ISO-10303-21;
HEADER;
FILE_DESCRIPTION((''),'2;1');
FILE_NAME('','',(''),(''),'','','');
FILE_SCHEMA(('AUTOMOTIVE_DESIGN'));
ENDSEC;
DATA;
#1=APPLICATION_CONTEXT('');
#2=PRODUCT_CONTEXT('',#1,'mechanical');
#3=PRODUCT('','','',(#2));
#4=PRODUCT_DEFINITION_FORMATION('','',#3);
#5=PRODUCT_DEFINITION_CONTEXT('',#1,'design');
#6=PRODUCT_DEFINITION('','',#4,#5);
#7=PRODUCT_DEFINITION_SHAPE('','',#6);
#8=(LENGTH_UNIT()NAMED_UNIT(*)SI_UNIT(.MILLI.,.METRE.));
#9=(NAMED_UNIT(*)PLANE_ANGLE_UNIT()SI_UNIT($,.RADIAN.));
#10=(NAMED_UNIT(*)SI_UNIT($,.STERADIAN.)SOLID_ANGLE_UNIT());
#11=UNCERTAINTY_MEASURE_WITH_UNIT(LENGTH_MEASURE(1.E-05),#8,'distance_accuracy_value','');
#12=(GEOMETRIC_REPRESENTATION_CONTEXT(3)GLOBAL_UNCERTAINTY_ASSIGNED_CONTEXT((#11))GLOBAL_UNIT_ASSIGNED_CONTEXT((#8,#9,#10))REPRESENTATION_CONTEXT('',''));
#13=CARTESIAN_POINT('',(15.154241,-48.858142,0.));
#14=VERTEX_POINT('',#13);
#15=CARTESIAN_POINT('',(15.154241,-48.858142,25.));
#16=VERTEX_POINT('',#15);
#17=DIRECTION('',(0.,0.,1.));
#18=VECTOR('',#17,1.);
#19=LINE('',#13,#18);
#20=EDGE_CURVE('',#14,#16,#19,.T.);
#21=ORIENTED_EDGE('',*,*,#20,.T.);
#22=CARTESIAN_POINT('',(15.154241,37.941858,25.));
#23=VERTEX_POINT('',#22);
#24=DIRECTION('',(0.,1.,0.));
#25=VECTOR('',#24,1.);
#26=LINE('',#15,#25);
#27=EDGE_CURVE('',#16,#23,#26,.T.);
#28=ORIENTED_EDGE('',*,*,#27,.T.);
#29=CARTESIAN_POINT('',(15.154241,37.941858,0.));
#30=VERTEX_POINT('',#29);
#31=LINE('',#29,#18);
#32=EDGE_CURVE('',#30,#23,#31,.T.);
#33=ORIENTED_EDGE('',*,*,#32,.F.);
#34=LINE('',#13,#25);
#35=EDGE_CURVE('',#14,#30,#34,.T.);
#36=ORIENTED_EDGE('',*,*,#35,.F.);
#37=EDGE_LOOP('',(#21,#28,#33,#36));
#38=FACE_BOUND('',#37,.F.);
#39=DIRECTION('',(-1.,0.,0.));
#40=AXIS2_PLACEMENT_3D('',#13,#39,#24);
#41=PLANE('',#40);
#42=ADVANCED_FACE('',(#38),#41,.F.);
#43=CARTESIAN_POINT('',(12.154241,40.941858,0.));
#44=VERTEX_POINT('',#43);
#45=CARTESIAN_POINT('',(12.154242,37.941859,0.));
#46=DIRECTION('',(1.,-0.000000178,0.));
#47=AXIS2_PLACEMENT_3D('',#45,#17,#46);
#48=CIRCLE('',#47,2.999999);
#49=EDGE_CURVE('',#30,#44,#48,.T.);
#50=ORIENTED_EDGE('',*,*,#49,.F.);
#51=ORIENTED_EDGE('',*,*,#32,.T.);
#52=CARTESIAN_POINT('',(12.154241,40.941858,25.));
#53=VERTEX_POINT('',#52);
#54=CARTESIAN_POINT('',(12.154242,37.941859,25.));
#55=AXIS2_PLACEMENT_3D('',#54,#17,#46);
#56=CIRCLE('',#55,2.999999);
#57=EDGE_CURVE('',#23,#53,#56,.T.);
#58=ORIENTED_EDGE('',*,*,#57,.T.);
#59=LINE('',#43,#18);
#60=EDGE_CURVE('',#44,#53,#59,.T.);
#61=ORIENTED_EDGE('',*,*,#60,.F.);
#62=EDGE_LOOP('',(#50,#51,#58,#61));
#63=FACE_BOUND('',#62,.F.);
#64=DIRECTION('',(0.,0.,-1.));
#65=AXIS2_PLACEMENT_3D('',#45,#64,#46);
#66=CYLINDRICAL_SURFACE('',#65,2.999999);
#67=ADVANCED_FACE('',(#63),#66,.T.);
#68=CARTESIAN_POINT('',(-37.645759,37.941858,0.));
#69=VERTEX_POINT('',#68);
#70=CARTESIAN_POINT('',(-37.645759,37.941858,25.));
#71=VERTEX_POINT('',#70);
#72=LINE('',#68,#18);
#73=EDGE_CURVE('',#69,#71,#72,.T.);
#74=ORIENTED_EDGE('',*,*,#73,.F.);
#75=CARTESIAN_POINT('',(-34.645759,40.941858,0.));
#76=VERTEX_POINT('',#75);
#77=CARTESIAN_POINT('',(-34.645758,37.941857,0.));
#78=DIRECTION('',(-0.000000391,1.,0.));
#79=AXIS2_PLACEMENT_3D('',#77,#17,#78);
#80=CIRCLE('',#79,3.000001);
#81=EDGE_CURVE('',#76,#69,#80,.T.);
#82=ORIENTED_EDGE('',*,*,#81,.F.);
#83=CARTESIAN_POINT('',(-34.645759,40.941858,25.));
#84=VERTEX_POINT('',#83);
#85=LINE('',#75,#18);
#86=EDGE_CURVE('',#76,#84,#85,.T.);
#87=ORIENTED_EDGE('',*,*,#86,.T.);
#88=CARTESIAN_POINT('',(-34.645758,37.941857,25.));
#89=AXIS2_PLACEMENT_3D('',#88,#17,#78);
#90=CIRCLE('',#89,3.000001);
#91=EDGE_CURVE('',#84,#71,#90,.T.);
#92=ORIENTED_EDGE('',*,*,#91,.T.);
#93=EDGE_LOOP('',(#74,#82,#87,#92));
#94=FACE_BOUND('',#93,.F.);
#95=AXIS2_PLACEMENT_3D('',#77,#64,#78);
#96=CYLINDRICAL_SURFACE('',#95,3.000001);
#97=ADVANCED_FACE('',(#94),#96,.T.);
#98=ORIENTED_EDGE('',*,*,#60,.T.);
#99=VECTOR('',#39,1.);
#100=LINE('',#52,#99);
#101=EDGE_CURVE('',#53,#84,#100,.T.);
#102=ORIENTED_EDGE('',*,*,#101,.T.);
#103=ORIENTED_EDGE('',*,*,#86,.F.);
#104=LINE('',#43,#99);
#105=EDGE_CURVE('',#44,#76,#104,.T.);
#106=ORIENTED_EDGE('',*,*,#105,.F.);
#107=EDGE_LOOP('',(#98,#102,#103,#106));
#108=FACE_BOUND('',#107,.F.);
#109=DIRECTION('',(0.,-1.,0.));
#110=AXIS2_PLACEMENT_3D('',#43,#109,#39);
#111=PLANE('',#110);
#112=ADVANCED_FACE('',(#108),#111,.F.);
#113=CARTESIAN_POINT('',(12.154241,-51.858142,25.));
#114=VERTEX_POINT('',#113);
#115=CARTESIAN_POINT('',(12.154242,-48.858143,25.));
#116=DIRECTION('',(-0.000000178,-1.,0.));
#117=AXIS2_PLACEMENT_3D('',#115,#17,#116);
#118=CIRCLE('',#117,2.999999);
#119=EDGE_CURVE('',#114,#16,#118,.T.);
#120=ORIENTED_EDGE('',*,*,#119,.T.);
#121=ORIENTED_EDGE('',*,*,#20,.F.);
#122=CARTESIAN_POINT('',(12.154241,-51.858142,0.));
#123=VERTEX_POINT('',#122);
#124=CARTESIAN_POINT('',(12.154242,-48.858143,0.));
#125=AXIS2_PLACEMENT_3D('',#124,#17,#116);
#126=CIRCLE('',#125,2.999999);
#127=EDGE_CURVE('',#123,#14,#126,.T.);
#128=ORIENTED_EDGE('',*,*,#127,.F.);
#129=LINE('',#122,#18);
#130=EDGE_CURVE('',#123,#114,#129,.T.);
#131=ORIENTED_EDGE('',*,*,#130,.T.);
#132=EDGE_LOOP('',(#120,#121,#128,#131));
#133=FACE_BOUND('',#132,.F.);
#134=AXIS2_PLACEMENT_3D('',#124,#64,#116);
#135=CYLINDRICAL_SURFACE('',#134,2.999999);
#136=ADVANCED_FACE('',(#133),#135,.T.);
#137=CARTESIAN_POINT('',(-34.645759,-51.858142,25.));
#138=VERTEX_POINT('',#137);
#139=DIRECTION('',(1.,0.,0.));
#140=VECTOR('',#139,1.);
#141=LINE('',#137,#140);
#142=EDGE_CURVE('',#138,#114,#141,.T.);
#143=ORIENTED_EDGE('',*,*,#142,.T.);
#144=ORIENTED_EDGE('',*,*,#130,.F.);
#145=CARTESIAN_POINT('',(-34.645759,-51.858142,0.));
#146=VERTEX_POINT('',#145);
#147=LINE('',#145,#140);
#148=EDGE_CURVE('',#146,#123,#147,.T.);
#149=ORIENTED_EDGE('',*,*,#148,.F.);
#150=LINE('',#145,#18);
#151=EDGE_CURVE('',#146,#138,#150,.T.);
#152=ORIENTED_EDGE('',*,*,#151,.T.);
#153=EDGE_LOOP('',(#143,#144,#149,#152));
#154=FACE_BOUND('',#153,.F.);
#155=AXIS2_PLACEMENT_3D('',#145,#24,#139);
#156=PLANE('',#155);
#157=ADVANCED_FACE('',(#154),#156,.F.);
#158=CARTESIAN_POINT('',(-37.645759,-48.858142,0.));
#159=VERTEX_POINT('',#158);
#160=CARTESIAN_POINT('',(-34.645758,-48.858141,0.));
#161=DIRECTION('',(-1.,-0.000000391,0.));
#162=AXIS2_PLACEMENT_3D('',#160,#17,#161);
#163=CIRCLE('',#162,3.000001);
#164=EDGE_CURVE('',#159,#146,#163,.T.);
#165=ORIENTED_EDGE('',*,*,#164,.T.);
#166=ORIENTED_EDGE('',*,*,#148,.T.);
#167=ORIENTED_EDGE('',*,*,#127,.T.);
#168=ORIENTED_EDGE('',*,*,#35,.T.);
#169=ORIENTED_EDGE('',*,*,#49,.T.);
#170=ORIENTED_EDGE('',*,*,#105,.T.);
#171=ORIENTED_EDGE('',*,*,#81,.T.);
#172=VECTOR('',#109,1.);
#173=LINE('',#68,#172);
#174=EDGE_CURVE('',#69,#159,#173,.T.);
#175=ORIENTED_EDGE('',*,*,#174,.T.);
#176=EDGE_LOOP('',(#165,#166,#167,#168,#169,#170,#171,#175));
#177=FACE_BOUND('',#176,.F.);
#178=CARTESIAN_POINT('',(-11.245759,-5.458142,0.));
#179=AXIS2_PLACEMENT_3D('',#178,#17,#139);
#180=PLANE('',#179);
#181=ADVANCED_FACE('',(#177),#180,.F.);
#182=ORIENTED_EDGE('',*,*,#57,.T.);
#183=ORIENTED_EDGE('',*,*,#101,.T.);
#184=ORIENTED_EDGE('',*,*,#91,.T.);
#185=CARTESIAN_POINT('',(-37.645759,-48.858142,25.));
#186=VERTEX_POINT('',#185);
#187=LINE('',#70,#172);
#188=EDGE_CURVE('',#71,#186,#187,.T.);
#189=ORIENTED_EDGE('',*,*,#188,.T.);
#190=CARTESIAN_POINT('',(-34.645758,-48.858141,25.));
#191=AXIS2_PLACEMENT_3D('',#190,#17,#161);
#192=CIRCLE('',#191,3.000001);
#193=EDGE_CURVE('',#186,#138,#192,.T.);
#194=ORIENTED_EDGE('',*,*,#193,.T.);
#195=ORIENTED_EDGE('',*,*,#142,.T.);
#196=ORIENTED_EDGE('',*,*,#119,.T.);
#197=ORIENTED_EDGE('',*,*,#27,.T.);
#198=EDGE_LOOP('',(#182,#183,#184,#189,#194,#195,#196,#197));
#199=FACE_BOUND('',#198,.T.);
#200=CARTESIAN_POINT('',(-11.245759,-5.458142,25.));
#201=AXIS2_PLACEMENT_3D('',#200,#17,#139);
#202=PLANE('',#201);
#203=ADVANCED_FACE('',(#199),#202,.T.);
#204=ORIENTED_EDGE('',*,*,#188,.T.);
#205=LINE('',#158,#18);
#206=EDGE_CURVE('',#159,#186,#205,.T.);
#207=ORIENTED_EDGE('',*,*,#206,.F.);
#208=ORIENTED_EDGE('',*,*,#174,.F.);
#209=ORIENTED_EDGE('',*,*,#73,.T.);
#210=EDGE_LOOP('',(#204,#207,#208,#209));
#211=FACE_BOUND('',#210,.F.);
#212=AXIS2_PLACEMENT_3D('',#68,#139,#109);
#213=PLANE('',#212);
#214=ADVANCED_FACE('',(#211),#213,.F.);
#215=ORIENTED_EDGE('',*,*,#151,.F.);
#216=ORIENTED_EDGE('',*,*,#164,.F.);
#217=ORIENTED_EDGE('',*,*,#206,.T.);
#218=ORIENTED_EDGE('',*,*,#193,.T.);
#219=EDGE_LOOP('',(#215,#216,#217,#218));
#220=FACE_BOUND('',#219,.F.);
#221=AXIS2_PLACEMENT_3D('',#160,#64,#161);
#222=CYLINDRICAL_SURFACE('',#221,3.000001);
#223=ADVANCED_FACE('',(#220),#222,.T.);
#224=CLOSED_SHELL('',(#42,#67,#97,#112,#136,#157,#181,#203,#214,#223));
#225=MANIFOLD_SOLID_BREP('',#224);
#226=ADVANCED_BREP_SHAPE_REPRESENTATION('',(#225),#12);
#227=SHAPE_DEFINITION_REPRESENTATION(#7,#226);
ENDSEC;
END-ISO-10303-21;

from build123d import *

# Parameters (mm, degrees)
F1_DEPTH = 25


with BuildPart() as f1:
    # F0 (on Top) → F1 (new body)
    with BuildSketch(Plane.XY):
        with BuildLine():
            Line((-34.645759, -51.858142), (-11.245759, -51.858142))
            Line((-11.245759, -51.858142), (12.154241, -51.858142))
            ThreePointArc((12.154241, -51.858142), (14.275562, -50.979462), (15.154241, -48.858142))
            Line((15.154241, -48.858142), (15.154241, 37.941858))
            ThreePointArc((15.154241, 37.941858), (14.275562, 40.063178), (12.154241, 40.941858))
            Line((12.154241, 40.941858), (-34.645759, 40.941858))
            ThreePointArc((-34.645759, 40.941858), (-36.767079, 40.063178), (-37.645759, 37.941858))
            Line((-37.645759, 37.941858), (-37.645759, -48.858142))
            ThreePointArc((-37.645759, -48.858142), (-36.767079, -50.979462), (-34.645759, -51.858142))
        make_face()
    extrude(amount=F1_DEPTH)


solid = f1.part
